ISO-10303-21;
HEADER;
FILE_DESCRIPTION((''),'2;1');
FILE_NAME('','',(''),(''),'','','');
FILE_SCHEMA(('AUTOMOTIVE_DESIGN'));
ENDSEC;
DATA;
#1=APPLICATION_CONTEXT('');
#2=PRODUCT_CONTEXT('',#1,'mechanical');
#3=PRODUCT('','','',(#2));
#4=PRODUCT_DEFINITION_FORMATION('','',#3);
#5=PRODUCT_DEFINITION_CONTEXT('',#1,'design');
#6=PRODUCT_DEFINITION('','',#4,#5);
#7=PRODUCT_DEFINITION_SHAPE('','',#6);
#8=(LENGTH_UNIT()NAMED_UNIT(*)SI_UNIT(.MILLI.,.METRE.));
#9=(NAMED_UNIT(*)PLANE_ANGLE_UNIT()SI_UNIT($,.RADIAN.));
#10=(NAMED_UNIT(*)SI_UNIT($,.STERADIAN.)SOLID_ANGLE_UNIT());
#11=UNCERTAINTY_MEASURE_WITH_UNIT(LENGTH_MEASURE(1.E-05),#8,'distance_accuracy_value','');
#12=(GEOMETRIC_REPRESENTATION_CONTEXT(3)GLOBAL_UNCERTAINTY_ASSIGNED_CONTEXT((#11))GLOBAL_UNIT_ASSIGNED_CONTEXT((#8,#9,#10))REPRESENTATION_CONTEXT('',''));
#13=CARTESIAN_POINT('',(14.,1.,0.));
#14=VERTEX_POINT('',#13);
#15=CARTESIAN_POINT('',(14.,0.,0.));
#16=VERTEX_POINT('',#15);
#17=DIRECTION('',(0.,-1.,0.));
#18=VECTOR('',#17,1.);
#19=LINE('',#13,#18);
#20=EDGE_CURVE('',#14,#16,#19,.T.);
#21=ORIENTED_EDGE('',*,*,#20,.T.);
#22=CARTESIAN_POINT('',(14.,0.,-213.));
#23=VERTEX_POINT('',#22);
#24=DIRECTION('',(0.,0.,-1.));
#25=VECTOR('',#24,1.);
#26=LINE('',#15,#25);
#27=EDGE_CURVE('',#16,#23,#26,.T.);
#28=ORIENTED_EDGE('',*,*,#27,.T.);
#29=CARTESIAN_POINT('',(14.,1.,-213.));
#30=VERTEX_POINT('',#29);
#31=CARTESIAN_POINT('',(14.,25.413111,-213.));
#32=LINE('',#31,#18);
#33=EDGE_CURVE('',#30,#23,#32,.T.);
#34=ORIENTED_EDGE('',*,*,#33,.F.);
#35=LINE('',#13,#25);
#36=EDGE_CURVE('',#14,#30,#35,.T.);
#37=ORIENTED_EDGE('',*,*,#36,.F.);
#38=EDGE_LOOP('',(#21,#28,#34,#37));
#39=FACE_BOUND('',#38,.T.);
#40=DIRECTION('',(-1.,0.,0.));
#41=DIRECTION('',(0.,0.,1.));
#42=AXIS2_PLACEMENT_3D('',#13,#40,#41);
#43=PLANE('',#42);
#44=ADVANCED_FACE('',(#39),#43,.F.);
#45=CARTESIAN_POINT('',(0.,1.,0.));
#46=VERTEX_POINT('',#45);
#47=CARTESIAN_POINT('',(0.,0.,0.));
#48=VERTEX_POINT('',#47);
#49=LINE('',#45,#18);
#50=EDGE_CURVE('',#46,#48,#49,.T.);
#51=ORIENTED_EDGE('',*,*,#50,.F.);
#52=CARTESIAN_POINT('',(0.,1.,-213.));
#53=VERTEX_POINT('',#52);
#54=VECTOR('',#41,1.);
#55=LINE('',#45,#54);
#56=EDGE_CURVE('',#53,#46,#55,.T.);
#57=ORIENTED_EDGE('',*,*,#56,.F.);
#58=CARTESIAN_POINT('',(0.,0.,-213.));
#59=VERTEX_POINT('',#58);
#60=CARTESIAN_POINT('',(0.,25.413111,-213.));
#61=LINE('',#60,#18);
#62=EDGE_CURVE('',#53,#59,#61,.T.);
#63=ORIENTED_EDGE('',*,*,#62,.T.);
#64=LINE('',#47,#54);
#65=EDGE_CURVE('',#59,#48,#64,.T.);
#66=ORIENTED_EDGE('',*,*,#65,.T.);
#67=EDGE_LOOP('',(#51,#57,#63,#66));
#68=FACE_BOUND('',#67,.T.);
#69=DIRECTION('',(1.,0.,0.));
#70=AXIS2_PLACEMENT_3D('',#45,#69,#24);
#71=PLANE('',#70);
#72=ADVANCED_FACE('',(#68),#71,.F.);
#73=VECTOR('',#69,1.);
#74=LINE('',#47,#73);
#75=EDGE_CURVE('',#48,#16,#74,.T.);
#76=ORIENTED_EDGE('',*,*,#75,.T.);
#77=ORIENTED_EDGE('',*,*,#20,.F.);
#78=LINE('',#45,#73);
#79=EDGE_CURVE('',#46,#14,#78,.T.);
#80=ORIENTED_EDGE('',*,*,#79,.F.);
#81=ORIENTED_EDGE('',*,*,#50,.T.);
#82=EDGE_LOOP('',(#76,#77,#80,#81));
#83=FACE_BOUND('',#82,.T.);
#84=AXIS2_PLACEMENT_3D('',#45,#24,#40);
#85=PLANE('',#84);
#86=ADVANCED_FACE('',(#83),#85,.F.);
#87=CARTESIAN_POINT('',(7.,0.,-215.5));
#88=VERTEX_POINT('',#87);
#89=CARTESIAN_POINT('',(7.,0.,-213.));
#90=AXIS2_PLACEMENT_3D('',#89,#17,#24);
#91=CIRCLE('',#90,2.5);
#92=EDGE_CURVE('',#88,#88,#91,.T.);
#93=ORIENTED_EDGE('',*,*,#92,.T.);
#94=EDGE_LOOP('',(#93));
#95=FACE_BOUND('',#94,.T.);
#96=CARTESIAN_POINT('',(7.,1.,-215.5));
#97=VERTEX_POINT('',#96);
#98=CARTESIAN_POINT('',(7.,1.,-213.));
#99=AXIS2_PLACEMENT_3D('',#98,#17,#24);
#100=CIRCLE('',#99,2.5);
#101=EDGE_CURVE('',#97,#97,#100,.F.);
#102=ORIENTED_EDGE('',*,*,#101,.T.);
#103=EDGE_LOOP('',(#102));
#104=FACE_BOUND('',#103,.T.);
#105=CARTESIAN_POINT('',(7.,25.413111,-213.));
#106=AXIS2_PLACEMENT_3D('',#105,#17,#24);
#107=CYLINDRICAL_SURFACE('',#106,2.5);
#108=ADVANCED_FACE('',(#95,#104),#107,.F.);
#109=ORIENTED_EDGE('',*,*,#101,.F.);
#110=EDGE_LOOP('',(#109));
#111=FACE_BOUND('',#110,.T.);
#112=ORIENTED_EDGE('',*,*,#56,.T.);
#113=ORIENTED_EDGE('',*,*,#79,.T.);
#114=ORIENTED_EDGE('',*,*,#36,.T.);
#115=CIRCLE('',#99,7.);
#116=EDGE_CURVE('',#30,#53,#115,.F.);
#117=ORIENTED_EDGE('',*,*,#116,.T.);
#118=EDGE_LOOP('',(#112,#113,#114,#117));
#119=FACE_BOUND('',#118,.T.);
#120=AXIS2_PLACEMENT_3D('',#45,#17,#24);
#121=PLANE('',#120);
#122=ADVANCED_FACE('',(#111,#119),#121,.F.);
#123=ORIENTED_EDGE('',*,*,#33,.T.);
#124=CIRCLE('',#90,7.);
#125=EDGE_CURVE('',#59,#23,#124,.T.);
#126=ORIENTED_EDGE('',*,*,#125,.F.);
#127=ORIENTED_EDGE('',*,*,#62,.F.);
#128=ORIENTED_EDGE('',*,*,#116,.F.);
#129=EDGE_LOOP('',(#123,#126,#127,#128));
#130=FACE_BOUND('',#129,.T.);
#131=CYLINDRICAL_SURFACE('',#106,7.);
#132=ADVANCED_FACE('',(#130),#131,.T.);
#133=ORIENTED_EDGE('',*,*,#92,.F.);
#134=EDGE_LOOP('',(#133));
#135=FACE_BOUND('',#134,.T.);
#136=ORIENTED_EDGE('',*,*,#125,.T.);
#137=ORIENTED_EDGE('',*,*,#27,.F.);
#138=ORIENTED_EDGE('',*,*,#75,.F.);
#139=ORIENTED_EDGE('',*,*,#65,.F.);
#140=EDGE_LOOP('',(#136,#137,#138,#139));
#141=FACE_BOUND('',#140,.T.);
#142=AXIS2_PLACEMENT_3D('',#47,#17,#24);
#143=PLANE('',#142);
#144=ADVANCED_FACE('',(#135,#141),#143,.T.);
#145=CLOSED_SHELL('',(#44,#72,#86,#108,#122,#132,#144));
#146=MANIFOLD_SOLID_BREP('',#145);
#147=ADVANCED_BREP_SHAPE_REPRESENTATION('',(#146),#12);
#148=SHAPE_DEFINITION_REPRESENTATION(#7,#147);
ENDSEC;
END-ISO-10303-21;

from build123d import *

# Parameters (mm, degrees)
SKETCH1_W           = 14
SKETCH1_H           = 200
BOSS_EXTRUDE1_DEPTH = 1
SKETCH2_R           = 2.5
BOSS_EXTRUDE2_DEPTH = 1


with BuildPart() as part:
    # Sketch1 → Boss-Extrude1 (new body)
    with BuildSketch(Plane(origin=(0, 0, 0), x_dir=(1, 0, 0), z_dir=(0, 1, 0))):
        with Locations((7, 100)):
            Rectangle(SKETCH1_W, SKETCH1_H)
    extrude(amount=BOSS_EXTRUDE1_DEPTH)

    # Sketch2 → Boss-Extrude2 (add)
    with BuildSketch(Plane.XZ):
        with BuildLine():
            Line((0, -200), (14, -200))
            Line((14, -200), (14, -213))
            ThreePointArc((14, -213), (7, -220), (0, -213))
            Line((0, -213), (0, -200))
        make_face()
        with Locations(Location((7, -213, 0), (0, 0, 270))):
            Circle(SKETCH2_R, mode=Mode.SUBTRACT)
    extrude(amount=-BOSS_EXTRUDE2_DEPTH)


solid = part.part
